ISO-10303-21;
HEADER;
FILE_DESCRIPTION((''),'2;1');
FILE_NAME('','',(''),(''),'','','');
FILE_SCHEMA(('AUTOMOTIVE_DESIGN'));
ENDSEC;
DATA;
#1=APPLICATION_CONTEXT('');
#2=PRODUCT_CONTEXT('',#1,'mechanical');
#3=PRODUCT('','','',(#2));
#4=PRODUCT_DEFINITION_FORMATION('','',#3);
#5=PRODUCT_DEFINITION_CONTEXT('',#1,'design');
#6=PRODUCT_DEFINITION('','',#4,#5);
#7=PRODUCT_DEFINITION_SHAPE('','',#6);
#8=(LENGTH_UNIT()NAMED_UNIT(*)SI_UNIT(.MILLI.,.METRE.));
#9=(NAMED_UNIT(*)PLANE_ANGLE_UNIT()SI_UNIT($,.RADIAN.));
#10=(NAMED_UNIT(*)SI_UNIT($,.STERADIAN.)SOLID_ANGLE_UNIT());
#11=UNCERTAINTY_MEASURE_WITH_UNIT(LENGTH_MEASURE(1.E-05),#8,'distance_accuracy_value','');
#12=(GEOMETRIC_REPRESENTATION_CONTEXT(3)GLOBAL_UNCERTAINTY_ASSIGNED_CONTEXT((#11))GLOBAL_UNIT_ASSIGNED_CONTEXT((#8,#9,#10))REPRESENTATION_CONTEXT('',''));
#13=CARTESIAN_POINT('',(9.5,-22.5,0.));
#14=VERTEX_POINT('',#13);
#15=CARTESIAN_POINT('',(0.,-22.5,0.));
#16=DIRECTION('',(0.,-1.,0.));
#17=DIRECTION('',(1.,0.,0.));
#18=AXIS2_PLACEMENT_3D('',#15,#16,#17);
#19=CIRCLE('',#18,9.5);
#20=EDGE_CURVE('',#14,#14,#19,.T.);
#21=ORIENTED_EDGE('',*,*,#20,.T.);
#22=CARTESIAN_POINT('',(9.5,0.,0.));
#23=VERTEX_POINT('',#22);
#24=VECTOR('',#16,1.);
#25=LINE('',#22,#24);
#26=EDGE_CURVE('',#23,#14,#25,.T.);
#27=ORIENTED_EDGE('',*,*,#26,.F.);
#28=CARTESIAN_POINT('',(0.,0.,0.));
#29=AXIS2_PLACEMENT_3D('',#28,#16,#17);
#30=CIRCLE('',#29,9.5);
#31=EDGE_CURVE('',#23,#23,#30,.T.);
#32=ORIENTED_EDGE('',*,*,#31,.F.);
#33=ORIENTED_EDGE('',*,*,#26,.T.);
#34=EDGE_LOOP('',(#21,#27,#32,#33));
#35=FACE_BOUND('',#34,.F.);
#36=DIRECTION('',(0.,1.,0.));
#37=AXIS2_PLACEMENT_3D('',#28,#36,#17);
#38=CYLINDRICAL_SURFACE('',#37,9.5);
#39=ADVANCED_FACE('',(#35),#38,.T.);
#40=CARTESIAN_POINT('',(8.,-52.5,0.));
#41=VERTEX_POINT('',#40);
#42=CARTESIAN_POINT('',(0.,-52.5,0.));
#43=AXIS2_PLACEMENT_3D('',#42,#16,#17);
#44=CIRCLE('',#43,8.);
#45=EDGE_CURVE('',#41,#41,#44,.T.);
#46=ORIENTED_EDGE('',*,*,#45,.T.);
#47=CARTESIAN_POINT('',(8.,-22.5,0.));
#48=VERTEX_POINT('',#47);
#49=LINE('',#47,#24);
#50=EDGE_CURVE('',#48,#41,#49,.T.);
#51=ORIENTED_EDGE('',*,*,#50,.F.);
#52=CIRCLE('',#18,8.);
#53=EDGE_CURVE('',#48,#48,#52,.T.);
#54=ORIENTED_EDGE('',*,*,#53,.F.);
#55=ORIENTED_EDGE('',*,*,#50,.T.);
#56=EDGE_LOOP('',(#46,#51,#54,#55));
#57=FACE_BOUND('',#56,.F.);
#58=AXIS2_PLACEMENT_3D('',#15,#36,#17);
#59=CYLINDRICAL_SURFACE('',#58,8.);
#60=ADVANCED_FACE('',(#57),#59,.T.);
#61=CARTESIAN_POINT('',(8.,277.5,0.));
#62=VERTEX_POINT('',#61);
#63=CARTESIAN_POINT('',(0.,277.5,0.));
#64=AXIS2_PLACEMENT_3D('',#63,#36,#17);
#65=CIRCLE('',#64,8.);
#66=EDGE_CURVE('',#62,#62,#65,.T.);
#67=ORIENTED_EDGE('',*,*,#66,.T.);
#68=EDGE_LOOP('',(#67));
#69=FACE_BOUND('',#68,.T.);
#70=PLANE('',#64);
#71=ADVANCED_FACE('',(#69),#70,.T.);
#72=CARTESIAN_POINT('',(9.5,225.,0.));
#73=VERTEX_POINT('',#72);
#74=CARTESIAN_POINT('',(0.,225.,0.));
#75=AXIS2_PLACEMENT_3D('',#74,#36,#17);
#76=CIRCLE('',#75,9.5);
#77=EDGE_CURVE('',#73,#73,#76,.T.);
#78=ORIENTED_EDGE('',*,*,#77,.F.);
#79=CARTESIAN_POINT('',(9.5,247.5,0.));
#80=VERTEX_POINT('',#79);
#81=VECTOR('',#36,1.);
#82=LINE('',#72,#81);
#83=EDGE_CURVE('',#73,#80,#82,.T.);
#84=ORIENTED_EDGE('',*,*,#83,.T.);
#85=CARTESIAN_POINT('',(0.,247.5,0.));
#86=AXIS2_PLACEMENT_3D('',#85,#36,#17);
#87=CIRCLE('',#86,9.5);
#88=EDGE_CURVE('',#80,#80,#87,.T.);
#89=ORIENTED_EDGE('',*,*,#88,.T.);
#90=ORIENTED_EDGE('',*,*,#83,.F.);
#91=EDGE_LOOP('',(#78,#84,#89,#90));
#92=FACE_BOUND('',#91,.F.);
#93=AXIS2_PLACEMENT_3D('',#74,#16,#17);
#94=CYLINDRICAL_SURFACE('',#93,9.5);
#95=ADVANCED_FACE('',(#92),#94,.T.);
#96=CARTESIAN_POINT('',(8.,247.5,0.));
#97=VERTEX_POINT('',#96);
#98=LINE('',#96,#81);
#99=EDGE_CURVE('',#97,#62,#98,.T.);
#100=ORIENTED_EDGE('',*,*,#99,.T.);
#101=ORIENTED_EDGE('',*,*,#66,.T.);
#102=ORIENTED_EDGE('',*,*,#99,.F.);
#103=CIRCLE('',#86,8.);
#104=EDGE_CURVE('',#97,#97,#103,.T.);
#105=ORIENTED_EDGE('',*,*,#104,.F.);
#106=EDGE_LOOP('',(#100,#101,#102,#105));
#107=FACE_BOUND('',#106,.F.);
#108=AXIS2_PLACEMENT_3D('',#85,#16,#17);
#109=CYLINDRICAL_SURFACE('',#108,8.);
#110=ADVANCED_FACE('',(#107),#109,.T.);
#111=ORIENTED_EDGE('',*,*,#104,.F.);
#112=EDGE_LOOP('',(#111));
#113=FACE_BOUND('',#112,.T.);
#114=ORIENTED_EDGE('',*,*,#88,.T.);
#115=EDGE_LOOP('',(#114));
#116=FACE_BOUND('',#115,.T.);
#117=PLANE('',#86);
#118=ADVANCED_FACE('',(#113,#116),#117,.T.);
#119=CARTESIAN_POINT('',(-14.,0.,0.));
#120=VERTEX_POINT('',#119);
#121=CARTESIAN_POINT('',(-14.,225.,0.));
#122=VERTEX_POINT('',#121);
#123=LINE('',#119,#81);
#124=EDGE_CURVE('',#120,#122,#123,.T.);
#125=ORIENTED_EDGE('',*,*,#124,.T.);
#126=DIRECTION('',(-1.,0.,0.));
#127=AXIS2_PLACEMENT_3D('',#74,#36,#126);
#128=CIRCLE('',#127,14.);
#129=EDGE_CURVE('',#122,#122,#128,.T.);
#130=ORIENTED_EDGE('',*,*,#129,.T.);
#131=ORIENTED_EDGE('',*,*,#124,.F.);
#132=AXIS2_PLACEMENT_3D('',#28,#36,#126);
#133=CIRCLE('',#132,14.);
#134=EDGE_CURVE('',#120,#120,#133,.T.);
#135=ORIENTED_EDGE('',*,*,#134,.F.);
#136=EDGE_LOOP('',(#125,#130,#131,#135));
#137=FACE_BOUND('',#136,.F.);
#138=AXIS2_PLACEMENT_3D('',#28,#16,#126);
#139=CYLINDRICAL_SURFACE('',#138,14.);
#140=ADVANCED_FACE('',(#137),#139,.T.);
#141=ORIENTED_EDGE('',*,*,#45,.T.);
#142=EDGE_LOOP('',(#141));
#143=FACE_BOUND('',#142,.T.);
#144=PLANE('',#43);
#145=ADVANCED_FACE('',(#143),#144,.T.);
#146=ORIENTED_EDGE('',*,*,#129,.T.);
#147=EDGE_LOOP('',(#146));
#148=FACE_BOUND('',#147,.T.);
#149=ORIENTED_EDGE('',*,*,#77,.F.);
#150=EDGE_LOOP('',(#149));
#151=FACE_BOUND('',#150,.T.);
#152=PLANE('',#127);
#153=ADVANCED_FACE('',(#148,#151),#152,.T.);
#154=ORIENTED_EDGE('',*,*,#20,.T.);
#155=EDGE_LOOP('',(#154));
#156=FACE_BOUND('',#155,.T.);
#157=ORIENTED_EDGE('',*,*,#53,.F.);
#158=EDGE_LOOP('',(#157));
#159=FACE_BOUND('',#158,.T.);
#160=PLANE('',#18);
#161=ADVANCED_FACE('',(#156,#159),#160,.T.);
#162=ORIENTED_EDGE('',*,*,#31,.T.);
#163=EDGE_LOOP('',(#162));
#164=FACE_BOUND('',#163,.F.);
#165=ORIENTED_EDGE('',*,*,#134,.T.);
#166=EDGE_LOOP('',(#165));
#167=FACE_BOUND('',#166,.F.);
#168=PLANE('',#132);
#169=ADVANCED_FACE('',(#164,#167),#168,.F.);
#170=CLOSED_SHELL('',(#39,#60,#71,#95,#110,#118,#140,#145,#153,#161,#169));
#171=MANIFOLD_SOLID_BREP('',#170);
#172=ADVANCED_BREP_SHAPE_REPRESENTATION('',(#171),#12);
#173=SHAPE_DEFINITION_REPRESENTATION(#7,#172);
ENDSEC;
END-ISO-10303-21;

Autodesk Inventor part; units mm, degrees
ref_plane "YZ Plane" through (0, 0, 0) normal (1, 0, 0) x (0, 1, 0)
ref_plane "XZ Plane" through (0, 0, 0) normal (0, 1, 0) x (-1, 0, 0)
ref_plane "XY Plane" through (0, 0, 0) normal (0, 0, 1) x (1, 0, 0)
sketch "Sketch1" plane through (0, 0, 0) normal (0, 1, 0) x (-1, 0, 0)
  circle A0 centre (0, 0) radius 14
  dimension "d0" = 28
extrude "Extrusion1" add sketch "Sketch1" along normal blind 225
sketch "Sketch2" plane through (0, 225, 0) normal (0, 1, 0) x (1, 0, 0)
  circle A0 centre (0, 0) radius 9.5
  dimension "d3" = 19
extrude "Extrusion2" add sketch "Sketch2" along normal blind 22.5
sketch "Sketch3" plane through (0, 247.5, 0) normal (0, 1, 0) x (1, 0, 0)
  circle A0 centre (0, 0) radius 9.5 projected
  circle A1 centre (0, 0) radius 8
  dimension "d6" = 16
extrude "Extrusion3" add sketch "Sketch3" along normal blind 30 contours A1
thread "Thread1" size "M16x1" class "6g" standard "ANSI Metric M Profile" full length
sketch "Sketch4" plane through (0, 0, 0) normal (0, -1, 0) x (1, 0, 0)
  circle A0 centre (0, 0) radius 9.5
extrude "Extrusion4" add sketch "Sketch4" along normal blind 22.5
sketch "Sketch5" plane through (0, -22.5, 0) normal (0, -1, 0) x (1, 0, 0)
  circle A0 centre (0, 0) radius 8
extrude "Extrusion5" add sketch "Sketch5" along normal blind 30
thread "Thread2" size "M16x1" class "6g" standard "ANSI Metric M Profile" full length
properties part number "tie rolls"
